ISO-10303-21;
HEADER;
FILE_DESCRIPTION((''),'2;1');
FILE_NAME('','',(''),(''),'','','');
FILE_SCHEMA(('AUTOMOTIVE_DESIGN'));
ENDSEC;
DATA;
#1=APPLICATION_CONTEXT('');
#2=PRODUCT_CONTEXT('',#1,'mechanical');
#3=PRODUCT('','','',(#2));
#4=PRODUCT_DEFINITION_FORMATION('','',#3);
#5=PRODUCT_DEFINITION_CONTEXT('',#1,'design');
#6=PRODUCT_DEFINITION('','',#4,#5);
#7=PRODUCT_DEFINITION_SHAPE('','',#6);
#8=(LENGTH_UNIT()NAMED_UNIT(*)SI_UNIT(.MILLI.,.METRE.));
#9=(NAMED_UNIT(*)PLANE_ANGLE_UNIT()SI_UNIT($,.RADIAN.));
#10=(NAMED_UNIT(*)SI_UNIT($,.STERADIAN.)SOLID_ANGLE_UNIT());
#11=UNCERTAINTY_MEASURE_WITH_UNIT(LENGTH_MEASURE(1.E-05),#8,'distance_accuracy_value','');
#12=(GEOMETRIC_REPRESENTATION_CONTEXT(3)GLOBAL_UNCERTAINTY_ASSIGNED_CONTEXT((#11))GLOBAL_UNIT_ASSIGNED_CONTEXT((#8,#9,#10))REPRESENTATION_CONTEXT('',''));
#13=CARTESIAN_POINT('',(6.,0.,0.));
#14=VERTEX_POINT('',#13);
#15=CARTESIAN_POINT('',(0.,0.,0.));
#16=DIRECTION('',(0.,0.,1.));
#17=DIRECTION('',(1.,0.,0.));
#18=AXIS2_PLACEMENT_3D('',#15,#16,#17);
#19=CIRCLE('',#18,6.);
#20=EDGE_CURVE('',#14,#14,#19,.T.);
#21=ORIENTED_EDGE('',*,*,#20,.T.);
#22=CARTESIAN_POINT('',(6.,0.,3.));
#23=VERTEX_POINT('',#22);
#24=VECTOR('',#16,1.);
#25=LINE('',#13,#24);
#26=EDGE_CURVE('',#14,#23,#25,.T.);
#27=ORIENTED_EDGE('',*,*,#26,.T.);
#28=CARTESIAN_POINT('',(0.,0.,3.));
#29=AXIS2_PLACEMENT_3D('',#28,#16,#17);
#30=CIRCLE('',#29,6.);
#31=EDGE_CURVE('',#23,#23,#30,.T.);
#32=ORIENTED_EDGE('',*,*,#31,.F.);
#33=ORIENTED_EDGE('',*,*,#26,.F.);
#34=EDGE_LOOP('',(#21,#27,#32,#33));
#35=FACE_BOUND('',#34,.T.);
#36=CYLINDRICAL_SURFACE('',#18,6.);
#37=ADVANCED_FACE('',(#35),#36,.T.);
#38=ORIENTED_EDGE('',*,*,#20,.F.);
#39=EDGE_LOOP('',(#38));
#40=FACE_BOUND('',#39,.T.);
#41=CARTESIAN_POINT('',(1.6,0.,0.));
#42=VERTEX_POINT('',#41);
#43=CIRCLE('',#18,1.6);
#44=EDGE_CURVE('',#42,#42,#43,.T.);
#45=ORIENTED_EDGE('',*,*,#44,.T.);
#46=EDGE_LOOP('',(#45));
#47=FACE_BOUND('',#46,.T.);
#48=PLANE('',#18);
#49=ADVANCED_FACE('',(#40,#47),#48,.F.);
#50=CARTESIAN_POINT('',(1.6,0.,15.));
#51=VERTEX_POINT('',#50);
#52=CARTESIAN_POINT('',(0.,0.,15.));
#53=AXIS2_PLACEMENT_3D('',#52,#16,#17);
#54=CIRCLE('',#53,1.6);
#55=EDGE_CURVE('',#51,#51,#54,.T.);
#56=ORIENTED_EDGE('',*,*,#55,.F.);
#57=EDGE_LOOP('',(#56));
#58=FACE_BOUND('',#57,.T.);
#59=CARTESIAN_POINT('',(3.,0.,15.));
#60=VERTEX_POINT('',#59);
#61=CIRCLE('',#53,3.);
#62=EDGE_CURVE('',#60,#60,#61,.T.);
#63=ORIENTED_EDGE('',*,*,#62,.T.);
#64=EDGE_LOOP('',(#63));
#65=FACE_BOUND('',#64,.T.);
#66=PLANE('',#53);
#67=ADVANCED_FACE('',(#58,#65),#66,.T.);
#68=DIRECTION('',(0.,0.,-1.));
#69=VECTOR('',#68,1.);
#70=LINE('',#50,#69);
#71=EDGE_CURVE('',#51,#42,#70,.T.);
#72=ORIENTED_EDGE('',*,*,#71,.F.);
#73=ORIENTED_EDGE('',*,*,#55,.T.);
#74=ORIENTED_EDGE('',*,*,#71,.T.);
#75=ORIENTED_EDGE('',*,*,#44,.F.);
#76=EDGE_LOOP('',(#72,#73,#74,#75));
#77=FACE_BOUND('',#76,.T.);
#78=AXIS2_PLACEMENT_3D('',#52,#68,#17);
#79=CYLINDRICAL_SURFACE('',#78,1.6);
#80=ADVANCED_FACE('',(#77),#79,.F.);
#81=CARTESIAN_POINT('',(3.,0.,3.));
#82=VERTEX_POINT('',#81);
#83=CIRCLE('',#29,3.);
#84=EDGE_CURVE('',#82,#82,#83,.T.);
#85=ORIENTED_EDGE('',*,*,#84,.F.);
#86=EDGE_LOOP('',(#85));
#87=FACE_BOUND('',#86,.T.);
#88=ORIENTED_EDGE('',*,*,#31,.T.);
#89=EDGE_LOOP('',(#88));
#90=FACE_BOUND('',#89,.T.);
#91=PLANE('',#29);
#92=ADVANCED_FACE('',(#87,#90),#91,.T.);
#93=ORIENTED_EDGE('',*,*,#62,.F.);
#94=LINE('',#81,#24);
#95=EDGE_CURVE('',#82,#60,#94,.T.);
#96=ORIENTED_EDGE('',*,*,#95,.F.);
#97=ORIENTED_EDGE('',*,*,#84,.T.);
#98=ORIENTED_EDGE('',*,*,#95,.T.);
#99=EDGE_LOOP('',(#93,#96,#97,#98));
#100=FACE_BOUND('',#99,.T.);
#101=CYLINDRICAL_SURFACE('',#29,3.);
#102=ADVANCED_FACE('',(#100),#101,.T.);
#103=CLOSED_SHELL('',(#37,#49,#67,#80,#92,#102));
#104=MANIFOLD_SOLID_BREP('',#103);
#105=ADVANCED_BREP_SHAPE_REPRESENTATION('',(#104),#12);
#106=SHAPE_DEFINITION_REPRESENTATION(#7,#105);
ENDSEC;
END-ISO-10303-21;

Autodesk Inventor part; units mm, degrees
ref_plane "YZ Plane" through (0, 0, 0) normal (1, 0, 0) x (0, 1, 0)
ref_plane "XZ Plane" through (0, 0, 0) normal (0, 1, 0) x (-1, 0, 0)
ref_plane "XY Plane" through (0, 0, 0) normal (0, 0, 1) x (1, 0, 0)
sketch "Sketch1" plane through (0, 0, 0) normal (0, 1, 0) x (-1, 0, 0)
  line L0 (0, 0) -> (0, 15)
  line L1 (-1.6, 15) -> (-1.6, 0)
  line L2 (-1.6, 0) -> (-6, 0)
  line L3 (-6, 0) -> (-6, 3)
  line L4 (-6, 3) -> (-3, 3)
  line L5 (-3, 3) -> (-3, 15)
  line L6 (-3, 15) -> (-1.6, 15)
  dimension "d0" = 3.2
  dimension "d1" = 6
  dimension "d2" = 12
  dimension "d3" = 3
  dimension "d4" = 12
revolve "Revolution1" add sketch "Sketch1" angle 360 about axis through (0, 0, 0) along (0, 0, 1)
properties part number "D3260-12120LB" material "Acetal Resin, Black"
